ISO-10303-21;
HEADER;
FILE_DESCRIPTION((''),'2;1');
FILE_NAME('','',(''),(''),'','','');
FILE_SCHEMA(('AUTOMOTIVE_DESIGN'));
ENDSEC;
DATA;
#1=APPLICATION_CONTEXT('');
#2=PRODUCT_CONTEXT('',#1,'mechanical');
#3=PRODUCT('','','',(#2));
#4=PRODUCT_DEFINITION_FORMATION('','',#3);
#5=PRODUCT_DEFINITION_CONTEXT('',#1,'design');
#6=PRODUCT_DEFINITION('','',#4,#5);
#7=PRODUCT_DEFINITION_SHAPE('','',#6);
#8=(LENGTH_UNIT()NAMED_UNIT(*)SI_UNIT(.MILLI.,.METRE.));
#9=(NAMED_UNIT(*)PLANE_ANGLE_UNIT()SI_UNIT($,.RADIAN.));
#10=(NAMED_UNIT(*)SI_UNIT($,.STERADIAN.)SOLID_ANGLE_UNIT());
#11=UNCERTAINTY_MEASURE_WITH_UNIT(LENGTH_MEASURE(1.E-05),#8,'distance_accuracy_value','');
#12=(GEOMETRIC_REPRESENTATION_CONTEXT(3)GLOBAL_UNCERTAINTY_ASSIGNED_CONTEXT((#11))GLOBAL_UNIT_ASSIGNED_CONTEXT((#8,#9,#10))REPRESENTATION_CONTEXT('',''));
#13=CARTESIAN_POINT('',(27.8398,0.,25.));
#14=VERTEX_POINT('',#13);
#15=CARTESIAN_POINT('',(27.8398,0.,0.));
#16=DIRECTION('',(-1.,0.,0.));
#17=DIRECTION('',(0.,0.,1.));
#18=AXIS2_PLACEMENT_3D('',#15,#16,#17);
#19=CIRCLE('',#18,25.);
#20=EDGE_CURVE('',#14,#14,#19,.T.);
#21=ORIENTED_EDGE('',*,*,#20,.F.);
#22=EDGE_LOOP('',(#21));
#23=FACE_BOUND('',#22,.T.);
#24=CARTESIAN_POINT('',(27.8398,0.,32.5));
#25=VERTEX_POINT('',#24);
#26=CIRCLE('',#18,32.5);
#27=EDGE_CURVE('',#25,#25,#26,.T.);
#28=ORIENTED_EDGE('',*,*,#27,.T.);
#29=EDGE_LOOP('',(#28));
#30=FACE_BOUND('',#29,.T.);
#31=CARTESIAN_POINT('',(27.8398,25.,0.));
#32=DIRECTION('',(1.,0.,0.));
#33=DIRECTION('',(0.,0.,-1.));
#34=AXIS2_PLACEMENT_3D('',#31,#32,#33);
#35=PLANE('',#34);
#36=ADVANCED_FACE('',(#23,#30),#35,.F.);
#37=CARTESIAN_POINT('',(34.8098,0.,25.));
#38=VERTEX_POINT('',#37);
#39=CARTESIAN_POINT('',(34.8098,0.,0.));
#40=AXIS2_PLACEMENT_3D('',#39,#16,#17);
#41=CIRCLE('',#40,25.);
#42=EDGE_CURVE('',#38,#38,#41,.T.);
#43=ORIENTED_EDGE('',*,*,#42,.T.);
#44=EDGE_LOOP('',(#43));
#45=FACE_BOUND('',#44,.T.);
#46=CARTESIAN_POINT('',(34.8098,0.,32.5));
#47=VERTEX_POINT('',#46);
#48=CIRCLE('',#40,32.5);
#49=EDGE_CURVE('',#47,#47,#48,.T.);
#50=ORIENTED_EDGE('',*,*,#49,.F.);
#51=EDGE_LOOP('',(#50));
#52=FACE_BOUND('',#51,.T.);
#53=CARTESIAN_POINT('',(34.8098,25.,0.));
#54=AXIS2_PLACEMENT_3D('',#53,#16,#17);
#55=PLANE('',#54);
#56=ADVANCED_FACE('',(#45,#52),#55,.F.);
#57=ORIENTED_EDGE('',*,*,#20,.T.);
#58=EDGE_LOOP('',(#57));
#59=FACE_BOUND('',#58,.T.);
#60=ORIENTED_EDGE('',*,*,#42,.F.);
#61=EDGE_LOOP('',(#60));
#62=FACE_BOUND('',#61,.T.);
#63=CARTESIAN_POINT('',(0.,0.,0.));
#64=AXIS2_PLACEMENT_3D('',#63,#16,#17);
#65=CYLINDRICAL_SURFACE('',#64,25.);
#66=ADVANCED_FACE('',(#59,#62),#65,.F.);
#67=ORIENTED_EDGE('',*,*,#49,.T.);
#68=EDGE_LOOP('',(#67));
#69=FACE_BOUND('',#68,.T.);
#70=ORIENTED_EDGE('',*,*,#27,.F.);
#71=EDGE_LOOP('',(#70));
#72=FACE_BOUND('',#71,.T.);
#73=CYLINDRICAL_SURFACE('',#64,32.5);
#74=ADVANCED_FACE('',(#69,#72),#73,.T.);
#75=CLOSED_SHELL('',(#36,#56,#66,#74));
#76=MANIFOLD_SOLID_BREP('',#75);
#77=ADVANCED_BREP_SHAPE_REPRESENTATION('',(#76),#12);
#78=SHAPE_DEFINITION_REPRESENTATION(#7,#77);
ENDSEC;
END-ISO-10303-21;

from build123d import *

# Parameters (mm, degrees)
SKETCH3_W = 6.97000003
SKETCH3_H = 7.499999986


with BuildPart() as part:
    # Sketch3 → Revolve1 (revolve)
    with BuildSketch(Plane.XY):
        with Locations((31.324800063, 28.750000031)):
            Rectangle(SKETCH3_W, SKETCH3_H)
    revolve(axis=Axis((0, 0, 0), (1, 0, 0)))


solid = part.part
